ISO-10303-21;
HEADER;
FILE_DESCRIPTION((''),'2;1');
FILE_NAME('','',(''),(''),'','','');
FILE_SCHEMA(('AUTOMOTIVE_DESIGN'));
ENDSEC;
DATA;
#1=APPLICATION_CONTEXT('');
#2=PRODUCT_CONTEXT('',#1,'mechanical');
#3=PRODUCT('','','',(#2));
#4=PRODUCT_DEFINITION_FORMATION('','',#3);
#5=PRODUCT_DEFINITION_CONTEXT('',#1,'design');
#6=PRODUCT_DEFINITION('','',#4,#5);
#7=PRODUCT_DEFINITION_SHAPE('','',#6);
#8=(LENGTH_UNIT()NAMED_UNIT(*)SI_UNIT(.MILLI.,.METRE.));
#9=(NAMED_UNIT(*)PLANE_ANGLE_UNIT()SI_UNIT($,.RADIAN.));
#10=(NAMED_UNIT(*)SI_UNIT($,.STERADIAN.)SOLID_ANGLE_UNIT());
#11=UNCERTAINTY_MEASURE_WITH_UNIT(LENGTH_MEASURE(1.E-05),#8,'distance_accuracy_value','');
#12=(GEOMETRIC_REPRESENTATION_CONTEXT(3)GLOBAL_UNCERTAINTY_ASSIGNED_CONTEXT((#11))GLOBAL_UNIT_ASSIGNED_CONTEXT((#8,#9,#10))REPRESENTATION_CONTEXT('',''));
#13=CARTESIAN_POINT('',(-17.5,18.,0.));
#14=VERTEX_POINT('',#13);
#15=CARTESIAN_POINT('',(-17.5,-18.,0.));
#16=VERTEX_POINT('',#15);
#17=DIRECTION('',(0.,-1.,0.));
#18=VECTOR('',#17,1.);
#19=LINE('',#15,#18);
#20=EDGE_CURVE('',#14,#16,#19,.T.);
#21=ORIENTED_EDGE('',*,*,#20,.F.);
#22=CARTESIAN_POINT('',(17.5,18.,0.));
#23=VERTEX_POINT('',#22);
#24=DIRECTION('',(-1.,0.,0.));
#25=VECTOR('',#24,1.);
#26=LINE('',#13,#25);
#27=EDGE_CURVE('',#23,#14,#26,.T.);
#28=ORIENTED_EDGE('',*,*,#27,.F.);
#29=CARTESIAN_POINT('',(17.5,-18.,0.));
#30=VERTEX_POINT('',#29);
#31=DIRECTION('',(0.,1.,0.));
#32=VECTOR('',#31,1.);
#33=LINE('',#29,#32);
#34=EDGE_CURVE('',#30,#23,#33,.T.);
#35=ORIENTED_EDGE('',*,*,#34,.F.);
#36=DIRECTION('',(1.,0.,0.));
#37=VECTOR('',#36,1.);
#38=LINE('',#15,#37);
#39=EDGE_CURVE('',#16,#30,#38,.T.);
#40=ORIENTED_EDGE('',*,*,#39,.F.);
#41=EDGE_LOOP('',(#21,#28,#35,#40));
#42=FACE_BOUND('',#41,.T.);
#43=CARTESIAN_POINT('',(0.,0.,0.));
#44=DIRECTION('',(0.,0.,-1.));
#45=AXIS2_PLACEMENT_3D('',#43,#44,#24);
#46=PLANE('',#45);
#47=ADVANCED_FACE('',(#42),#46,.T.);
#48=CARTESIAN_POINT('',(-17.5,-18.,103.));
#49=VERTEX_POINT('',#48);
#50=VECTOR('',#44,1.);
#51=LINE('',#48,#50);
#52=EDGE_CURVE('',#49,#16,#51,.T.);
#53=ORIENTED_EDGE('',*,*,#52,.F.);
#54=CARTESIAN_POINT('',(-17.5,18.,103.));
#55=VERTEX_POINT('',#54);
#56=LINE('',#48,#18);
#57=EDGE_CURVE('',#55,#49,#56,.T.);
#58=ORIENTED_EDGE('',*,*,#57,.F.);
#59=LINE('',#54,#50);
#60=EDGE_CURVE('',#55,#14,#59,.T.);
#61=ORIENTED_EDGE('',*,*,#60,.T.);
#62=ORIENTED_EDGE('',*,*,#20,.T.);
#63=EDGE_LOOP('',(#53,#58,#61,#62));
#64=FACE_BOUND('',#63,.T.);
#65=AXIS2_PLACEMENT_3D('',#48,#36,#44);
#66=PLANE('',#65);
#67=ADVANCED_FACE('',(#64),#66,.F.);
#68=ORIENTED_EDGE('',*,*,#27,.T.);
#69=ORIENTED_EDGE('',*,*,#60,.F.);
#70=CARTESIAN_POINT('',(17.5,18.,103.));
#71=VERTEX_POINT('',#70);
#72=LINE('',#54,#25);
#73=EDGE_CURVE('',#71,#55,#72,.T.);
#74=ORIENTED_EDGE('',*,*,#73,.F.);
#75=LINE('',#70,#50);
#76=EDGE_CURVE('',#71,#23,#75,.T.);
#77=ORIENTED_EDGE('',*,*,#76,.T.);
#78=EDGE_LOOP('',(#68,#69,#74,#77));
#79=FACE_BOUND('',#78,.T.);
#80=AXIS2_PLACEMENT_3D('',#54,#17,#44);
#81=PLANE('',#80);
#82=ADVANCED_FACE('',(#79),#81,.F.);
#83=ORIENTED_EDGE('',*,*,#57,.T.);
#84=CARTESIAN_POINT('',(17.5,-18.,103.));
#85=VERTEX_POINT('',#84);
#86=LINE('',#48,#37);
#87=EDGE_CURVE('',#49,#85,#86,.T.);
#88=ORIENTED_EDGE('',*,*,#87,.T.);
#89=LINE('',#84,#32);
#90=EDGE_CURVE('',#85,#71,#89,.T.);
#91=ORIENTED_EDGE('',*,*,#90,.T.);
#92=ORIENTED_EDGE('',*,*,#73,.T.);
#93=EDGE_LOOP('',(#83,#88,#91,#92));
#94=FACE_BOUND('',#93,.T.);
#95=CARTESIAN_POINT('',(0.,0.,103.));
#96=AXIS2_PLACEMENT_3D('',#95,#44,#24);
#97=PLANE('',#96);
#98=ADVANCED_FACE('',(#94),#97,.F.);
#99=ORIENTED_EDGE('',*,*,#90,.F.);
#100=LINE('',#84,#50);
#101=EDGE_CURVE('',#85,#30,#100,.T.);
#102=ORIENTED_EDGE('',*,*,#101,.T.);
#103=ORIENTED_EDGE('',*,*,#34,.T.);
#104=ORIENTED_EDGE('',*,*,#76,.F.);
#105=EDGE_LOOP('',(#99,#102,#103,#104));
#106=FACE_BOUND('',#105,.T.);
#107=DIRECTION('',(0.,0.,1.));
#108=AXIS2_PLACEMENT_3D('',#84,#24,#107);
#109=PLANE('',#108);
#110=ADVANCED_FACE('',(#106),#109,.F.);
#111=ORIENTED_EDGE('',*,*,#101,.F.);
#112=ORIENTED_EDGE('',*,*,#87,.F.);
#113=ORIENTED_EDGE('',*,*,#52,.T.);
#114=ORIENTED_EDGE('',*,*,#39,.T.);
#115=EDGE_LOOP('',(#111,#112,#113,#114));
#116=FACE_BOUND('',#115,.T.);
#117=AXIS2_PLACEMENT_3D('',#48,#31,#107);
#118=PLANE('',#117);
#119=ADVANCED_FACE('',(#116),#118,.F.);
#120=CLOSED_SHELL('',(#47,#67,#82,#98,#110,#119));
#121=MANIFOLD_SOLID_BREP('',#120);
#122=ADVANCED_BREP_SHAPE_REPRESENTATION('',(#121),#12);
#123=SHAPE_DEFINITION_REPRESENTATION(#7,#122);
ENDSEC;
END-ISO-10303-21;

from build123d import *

# Parameters (mm, degrees)
SKETCH1_W           = 35
SKETCH1_H           = 36
BOSS_EXTRUDE1_DEPTH = 103


with BuildPart() as part:
    # Sketch1 → Boss-Extrude1 (new body)
    with BuildSketch(Plane.XY):
        Rectangle(SKETCH1_W, SKETCH1_H)
    extrude(amount=BOSS_EXTRUDE1_DEPTH)


solid = part.part
